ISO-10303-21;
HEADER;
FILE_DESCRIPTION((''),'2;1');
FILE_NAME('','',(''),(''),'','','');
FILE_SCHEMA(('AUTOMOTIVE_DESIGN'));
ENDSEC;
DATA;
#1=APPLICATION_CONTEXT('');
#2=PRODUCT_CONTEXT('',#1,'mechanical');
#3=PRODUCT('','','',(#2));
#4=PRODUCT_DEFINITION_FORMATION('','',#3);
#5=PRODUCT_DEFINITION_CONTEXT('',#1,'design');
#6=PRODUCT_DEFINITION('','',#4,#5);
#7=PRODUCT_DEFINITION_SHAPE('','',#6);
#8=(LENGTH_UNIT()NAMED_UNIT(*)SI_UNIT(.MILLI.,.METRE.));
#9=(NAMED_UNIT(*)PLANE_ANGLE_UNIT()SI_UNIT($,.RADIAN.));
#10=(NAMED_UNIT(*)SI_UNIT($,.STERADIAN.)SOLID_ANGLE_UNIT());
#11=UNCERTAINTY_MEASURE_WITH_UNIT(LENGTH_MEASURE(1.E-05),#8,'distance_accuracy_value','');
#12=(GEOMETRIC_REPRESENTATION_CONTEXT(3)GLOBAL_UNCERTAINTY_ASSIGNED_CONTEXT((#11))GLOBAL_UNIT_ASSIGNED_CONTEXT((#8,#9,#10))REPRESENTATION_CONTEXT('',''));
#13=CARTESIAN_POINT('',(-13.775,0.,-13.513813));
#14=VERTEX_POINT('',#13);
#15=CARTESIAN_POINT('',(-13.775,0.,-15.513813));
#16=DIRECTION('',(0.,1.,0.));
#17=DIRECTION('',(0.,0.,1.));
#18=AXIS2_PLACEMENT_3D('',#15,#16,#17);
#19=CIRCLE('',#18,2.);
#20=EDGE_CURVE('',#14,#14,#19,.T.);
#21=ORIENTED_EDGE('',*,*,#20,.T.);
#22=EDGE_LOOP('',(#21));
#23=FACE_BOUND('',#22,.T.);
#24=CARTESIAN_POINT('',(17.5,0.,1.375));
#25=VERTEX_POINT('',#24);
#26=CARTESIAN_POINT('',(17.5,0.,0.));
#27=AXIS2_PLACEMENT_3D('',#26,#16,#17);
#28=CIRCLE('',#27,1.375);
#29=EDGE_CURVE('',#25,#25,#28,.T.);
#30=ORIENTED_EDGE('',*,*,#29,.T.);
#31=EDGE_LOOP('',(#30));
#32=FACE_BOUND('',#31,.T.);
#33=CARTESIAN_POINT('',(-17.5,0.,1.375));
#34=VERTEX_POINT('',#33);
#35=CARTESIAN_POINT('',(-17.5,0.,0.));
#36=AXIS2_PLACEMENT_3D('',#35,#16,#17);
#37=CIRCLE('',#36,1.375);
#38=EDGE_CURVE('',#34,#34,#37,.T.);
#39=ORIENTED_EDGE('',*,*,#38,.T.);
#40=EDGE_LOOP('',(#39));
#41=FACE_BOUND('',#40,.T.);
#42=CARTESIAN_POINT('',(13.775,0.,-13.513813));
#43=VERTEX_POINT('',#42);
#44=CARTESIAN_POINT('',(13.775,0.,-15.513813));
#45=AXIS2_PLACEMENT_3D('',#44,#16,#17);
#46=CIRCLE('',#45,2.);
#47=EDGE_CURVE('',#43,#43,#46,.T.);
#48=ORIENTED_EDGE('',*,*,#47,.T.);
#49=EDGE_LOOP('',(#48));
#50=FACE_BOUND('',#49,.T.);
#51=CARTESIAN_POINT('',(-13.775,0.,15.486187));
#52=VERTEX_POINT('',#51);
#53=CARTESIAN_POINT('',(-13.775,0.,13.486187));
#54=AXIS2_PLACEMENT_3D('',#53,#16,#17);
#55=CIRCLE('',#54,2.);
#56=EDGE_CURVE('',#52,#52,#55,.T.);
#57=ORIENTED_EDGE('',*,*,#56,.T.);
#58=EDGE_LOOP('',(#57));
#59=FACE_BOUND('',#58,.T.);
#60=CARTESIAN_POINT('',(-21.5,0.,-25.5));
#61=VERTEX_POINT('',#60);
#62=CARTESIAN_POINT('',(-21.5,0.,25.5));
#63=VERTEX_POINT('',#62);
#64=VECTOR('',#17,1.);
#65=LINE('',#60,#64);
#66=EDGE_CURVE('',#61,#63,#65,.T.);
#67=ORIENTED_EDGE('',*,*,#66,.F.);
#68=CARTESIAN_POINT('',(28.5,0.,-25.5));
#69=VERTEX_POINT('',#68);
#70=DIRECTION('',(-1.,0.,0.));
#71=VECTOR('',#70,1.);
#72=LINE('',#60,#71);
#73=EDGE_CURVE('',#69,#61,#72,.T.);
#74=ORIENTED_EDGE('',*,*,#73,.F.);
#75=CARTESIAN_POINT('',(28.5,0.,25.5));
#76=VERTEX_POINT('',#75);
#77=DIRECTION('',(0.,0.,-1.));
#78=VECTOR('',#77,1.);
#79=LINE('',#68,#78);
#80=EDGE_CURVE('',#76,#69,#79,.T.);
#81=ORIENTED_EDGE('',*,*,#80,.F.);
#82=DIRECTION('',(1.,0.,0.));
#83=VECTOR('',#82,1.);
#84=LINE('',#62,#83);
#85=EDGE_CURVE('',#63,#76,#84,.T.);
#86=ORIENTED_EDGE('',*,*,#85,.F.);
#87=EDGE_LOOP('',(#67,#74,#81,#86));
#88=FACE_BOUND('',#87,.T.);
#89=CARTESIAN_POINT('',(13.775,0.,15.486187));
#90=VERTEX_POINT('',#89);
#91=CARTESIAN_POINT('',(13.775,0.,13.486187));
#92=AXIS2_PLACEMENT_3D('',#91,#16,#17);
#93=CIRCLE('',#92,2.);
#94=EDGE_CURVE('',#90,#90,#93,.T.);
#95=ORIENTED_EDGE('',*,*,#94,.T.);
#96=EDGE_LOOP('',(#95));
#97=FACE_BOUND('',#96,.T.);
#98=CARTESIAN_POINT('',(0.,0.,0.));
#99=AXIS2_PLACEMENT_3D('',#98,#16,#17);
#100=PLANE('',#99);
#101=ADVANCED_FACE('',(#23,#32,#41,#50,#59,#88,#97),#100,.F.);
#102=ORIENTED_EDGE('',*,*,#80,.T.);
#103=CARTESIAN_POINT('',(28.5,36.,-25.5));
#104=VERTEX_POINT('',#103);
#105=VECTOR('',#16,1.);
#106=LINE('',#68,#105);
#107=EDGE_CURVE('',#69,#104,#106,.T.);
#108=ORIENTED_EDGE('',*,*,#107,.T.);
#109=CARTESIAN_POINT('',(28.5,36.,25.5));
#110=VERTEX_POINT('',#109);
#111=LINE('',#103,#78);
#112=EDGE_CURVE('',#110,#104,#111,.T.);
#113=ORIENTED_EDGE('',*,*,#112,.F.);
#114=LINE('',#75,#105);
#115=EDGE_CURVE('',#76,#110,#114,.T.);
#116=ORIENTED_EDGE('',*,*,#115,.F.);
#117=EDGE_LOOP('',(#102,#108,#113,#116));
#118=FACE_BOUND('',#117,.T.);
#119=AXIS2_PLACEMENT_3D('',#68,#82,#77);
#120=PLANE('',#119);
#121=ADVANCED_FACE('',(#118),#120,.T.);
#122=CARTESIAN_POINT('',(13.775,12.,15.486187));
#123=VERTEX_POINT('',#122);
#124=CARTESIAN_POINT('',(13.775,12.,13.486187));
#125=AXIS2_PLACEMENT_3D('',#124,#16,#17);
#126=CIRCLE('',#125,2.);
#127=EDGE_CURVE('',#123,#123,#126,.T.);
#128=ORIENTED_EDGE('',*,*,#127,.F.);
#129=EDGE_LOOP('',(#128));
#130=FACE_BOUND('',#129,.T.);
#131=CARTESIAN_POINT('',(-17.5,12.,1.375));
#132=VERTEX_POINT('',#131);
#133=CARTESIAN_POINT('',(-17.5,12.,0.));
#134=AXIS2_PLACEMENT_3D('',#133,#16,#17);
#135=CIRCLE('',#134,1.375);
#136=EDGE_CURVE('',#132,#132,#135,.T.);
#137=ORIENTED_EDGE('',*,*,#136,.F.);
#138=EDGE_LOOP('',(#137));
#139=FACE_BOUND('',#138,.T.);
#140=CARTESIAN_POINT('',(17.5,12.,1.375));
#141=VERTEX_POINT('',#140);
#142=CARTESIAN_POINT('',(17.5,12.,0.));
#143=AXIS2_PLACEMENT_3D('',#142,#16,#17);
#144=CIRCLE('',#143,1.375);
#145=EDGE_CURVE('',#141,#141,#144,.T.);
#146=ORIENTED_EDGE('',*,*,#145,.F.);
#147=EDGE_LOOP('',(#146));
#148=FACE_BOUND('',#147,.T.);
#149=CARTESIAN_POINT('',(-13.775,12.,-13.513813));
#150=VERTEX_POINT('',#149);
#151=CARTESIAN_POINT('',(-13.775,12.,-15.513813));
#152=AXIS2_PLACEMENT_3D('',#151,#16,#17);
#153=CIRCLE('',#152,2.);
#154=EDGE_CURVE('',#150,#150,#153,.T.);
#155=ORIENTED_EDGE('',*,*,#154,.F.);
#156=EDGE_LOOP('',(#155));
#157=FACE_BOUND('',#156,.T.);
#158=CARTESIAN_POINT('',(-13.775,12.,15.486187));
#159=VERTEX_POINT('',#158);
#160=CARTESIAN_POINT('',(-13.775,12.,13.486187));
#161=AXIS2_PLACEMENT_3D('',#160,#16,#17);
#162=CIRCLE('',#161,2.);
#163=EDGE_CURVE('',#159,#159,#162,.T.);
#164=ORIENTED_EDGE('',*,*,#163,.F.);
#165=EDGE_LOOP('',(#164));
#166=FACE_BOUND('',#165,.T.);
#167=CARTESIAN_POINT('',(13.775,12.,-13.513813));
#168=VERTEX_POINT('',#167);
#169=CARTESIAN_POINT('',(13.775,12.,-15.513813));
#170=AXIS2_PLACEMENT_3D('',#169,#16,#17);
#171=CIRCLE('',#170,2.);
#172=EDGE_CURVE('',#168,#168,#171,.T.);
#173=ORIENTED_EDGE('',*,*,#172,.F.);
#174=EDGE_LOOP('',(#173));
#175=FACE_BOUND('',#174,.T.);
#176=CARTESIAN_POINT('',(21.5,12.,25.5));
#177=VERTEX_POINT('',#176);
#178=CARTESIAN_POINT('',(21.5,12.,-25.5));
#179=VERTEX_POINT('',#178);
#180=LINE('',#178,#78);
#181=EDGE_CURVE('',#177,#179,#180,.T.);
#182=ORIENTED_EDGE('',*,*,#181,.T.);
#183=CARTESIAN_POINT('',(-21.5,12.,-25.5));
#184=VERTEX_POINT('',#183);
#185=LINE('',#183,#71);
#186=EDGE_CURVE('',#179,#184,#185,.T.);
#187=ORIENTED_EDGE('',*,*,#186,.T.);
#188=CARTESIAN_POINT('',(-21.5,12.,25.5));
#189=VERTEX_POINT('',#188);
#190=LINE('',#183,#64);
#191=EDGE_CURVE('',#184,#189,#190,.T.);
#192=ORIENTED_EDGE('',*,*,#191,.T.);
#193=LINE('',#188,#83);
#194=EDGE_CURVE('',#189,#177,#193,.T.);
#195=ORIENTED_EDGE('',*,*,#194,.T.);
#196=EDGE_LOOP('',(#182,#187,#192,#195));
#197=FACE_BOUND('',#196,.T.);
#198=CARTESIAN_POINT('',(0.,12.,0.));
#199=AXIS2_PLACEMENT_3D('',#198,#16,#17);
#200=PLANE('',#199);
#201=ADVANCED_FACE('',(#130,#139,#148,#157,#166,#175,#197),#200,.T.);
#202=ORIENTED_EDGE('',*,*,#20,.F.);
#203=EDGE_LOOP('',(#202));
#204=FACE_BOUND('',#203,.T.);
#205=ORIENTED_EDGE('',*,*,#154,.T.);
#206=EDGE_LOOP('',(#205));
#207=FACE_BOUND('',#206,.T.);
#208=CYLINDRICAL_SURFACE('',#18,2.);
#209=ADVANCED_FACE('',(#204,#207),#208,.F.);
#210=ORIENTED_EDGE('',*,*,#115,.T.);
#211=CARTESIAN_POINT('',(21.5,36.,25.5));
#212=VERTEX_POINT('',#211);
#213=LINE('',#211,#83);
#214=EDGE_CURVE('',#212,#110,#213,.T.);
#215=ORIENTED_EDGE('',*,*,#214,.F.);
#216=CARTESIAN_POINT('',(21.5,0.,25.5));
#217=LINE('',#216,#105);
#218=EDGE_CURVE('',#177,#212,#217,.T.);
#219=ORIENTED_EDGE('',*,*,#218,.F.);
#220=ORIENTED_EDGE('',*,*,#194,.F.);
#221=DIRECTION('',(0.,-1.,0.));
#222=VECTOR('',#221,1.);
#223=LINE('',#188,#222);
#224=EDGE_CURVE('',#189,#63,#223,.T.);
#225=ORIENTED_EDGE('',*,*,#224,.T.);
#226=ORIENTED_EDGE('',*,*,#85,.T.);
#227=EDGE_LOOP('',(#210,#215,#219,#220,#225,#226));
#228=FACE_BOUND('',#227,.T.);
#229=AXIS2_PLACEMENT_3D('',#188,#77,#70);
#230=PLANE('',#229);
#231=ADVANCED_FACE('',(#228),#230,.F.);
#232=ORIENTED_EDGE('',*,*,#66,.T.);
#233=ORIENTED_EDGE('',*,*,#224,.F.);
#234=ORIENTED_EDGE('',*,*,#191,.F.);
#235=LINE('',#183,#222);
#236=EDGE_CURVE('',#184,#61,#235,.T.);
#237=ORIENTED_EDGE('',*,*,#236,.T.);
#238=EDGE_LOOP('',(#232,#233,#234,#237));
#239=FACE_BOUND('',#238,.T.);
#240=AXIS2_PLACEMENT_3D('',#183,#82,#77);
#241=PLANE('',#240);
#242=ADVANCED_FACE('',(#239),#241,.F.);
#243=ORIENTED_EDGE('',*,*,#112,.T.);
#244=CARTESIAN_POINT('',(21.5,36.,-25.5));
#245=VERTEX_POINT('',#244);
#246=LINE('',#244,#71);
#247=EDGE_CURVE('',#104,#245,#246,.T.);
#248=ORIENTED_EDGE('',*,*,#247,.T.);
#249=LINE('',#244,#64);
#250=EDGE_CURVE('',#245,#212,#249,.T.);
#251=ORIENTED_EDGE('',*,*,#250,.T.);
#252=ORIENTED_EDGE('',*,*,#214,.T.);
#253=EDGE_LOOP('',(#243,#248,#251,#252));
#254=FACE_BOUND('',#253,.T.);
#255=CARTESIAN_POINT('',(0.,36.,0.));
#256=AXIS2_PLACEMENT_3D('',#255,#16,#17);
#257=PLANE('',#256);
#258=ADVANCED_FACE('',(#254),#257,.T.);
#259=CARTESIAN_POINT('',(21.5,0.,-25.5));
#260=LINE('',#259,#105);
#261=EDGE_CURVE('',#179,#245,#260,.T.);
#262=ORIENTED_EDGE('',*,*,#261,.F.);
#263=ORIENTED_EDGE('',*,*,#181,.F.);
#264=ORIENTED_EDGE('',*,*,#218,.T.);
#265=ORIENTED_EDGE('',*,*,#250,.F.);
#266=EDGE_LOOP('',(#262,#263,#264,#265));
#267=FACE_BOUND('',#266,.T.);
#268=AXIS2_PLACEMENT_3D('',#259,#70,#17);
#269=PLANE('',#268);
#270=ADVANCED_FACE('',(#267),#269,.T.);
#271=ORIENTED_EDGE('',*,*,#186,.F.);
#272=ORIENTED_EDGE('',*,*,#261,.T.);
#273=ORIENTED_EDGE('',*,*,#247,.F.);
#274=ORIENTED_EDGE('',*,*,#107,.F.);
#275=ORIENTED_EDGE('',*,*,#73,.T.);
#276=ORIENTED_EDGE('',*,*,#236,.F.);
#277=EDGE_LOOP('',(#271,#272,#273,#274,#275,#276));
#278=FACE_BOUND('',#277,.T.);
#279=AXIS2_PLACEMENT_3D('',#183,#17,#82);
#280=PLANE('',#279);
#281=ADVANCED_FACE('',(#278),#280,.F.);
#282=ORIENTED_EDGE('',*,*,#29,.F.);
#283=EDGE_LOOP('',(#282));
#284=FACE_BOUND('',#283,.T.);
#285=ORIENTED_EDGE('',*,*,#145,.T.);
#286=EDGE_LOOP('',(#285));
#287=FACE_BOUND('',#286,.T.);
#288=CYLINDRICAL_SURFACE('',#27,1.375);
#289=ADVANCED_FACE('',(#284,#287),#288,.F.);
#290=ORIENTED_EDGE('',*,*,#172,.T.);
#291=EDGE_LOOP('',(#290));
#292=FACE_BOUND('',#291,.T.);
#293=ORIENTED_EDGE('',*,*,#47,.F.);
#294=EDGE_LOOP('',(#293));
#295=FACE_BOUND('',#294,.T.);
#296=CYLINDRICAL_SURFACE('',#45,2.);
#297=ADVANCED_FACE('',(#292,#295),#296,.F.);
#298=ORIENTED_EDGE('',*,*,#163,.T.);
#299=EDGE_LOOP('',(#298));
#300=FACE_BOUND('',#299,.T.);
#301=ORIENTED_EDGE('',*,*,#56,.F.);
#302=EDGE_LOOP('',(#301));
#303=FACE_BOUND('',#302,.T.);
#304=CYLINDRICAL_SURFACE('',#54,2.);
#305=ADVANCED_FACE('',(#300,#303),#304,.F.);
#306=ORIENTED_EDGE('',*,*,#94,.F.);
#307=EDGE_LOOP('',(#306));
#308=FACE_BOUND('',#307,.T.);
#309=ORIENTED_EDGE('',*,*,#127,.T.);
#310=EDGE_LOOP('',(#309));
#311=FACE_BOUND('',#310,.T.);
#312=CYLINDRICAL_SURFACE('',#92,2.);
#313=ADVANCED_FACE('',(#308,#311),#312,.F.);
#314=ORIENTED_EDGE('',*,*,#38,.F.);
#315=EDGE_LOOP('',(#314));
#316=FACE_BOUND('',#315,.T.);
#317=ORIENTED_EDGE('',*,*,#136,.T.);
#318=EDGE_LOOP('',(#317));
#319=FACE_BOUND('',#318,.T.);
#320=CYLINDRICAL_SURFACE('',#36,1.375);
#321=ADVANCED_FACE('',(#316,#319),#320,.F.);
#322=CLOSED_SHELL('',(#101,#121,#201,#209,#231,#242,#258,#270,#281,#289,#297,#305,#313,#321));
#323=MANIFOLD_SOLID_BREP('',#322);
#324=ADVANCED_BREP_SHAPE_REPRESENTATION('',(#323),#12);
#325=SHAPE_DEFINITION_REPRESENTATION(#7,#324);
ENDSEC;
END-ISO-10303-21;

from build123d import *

# Parameters (mm, degrees)
SKETCH1_W                = 43
SKETCH1_H                = 51
BOSS_EXTRUDE1_DEPTH      = 12
SKETCH2_W                = 7
SKETCH2_H                = 51
BOSS_EXTRUDE2_DEPTH      = 24
BOSS_EXTRUDE2_DEPTH_BACK = 12
SKETCH3_R                = 1.375
SKETCH3_R_2              = 2
CUT_EXTRUDE1_DEPTH       = 12


with BuildPart() as part:
    # Sketch1 → Boss-Extrude1 (new body)
    with BuildSketch(Plane(origin=(0, 0, 0), x_dir=(1, 0, 0), z_dir=(0, 1, 0))):
        Rectangle(SKETCH1_W, SKETCH1_H)
    extrude(amount=BOSS_EXTRUDE1_DEPTH)

    # Sketch2 → Boss-Extrude2 (add, two sides)
    with BuildSketch(Plane(origin=(0, 12, 0), x_dir=(1, 0, 0), z_dir=(0, 1, 0))) as boss_extrude2_sk:
        with Locations((25, 0)):
            Rectangle(SKETCH2_W, SKETCH2_H)
    extrude(amount=BOSS_EXTRUDE2_DEPTH)
    extrude(boss_extrude2_sk.sketch, amount=-BOSS_EXTRUDE2_DEPTH_BACK)

    # Sketch3 → Cut-Extrude1 (cut)
    with BuildSketch(Plane(origin=(0, 12, 0), x_dir=(1, 0, 0), z_dir=(0, 1, 0))):
        with Locations((17.5, 0)):
            Circle(SKETCH3_R)
        with Locations((-17.5, 0)):
            Circle(SKETCH3_R)
        with Locations((13.775, 15.513813063)):
            Circle(SKETCH3_R_2)
        with Locations((-13.775, 15.513813063)):
            Circle(SKETCH3_R_2)
        with Locations((13.775, -13.486186937)):
            Circle(SKETCH3_R_2)
        with Locations((-13.775, -13.486186937)):
            Circle(SKETCH3_R_2)
    extrude(amount=-CUT_EXTRUDE1_DEPTH, mode=Mode.SUBTRACT)


solid = part.part
